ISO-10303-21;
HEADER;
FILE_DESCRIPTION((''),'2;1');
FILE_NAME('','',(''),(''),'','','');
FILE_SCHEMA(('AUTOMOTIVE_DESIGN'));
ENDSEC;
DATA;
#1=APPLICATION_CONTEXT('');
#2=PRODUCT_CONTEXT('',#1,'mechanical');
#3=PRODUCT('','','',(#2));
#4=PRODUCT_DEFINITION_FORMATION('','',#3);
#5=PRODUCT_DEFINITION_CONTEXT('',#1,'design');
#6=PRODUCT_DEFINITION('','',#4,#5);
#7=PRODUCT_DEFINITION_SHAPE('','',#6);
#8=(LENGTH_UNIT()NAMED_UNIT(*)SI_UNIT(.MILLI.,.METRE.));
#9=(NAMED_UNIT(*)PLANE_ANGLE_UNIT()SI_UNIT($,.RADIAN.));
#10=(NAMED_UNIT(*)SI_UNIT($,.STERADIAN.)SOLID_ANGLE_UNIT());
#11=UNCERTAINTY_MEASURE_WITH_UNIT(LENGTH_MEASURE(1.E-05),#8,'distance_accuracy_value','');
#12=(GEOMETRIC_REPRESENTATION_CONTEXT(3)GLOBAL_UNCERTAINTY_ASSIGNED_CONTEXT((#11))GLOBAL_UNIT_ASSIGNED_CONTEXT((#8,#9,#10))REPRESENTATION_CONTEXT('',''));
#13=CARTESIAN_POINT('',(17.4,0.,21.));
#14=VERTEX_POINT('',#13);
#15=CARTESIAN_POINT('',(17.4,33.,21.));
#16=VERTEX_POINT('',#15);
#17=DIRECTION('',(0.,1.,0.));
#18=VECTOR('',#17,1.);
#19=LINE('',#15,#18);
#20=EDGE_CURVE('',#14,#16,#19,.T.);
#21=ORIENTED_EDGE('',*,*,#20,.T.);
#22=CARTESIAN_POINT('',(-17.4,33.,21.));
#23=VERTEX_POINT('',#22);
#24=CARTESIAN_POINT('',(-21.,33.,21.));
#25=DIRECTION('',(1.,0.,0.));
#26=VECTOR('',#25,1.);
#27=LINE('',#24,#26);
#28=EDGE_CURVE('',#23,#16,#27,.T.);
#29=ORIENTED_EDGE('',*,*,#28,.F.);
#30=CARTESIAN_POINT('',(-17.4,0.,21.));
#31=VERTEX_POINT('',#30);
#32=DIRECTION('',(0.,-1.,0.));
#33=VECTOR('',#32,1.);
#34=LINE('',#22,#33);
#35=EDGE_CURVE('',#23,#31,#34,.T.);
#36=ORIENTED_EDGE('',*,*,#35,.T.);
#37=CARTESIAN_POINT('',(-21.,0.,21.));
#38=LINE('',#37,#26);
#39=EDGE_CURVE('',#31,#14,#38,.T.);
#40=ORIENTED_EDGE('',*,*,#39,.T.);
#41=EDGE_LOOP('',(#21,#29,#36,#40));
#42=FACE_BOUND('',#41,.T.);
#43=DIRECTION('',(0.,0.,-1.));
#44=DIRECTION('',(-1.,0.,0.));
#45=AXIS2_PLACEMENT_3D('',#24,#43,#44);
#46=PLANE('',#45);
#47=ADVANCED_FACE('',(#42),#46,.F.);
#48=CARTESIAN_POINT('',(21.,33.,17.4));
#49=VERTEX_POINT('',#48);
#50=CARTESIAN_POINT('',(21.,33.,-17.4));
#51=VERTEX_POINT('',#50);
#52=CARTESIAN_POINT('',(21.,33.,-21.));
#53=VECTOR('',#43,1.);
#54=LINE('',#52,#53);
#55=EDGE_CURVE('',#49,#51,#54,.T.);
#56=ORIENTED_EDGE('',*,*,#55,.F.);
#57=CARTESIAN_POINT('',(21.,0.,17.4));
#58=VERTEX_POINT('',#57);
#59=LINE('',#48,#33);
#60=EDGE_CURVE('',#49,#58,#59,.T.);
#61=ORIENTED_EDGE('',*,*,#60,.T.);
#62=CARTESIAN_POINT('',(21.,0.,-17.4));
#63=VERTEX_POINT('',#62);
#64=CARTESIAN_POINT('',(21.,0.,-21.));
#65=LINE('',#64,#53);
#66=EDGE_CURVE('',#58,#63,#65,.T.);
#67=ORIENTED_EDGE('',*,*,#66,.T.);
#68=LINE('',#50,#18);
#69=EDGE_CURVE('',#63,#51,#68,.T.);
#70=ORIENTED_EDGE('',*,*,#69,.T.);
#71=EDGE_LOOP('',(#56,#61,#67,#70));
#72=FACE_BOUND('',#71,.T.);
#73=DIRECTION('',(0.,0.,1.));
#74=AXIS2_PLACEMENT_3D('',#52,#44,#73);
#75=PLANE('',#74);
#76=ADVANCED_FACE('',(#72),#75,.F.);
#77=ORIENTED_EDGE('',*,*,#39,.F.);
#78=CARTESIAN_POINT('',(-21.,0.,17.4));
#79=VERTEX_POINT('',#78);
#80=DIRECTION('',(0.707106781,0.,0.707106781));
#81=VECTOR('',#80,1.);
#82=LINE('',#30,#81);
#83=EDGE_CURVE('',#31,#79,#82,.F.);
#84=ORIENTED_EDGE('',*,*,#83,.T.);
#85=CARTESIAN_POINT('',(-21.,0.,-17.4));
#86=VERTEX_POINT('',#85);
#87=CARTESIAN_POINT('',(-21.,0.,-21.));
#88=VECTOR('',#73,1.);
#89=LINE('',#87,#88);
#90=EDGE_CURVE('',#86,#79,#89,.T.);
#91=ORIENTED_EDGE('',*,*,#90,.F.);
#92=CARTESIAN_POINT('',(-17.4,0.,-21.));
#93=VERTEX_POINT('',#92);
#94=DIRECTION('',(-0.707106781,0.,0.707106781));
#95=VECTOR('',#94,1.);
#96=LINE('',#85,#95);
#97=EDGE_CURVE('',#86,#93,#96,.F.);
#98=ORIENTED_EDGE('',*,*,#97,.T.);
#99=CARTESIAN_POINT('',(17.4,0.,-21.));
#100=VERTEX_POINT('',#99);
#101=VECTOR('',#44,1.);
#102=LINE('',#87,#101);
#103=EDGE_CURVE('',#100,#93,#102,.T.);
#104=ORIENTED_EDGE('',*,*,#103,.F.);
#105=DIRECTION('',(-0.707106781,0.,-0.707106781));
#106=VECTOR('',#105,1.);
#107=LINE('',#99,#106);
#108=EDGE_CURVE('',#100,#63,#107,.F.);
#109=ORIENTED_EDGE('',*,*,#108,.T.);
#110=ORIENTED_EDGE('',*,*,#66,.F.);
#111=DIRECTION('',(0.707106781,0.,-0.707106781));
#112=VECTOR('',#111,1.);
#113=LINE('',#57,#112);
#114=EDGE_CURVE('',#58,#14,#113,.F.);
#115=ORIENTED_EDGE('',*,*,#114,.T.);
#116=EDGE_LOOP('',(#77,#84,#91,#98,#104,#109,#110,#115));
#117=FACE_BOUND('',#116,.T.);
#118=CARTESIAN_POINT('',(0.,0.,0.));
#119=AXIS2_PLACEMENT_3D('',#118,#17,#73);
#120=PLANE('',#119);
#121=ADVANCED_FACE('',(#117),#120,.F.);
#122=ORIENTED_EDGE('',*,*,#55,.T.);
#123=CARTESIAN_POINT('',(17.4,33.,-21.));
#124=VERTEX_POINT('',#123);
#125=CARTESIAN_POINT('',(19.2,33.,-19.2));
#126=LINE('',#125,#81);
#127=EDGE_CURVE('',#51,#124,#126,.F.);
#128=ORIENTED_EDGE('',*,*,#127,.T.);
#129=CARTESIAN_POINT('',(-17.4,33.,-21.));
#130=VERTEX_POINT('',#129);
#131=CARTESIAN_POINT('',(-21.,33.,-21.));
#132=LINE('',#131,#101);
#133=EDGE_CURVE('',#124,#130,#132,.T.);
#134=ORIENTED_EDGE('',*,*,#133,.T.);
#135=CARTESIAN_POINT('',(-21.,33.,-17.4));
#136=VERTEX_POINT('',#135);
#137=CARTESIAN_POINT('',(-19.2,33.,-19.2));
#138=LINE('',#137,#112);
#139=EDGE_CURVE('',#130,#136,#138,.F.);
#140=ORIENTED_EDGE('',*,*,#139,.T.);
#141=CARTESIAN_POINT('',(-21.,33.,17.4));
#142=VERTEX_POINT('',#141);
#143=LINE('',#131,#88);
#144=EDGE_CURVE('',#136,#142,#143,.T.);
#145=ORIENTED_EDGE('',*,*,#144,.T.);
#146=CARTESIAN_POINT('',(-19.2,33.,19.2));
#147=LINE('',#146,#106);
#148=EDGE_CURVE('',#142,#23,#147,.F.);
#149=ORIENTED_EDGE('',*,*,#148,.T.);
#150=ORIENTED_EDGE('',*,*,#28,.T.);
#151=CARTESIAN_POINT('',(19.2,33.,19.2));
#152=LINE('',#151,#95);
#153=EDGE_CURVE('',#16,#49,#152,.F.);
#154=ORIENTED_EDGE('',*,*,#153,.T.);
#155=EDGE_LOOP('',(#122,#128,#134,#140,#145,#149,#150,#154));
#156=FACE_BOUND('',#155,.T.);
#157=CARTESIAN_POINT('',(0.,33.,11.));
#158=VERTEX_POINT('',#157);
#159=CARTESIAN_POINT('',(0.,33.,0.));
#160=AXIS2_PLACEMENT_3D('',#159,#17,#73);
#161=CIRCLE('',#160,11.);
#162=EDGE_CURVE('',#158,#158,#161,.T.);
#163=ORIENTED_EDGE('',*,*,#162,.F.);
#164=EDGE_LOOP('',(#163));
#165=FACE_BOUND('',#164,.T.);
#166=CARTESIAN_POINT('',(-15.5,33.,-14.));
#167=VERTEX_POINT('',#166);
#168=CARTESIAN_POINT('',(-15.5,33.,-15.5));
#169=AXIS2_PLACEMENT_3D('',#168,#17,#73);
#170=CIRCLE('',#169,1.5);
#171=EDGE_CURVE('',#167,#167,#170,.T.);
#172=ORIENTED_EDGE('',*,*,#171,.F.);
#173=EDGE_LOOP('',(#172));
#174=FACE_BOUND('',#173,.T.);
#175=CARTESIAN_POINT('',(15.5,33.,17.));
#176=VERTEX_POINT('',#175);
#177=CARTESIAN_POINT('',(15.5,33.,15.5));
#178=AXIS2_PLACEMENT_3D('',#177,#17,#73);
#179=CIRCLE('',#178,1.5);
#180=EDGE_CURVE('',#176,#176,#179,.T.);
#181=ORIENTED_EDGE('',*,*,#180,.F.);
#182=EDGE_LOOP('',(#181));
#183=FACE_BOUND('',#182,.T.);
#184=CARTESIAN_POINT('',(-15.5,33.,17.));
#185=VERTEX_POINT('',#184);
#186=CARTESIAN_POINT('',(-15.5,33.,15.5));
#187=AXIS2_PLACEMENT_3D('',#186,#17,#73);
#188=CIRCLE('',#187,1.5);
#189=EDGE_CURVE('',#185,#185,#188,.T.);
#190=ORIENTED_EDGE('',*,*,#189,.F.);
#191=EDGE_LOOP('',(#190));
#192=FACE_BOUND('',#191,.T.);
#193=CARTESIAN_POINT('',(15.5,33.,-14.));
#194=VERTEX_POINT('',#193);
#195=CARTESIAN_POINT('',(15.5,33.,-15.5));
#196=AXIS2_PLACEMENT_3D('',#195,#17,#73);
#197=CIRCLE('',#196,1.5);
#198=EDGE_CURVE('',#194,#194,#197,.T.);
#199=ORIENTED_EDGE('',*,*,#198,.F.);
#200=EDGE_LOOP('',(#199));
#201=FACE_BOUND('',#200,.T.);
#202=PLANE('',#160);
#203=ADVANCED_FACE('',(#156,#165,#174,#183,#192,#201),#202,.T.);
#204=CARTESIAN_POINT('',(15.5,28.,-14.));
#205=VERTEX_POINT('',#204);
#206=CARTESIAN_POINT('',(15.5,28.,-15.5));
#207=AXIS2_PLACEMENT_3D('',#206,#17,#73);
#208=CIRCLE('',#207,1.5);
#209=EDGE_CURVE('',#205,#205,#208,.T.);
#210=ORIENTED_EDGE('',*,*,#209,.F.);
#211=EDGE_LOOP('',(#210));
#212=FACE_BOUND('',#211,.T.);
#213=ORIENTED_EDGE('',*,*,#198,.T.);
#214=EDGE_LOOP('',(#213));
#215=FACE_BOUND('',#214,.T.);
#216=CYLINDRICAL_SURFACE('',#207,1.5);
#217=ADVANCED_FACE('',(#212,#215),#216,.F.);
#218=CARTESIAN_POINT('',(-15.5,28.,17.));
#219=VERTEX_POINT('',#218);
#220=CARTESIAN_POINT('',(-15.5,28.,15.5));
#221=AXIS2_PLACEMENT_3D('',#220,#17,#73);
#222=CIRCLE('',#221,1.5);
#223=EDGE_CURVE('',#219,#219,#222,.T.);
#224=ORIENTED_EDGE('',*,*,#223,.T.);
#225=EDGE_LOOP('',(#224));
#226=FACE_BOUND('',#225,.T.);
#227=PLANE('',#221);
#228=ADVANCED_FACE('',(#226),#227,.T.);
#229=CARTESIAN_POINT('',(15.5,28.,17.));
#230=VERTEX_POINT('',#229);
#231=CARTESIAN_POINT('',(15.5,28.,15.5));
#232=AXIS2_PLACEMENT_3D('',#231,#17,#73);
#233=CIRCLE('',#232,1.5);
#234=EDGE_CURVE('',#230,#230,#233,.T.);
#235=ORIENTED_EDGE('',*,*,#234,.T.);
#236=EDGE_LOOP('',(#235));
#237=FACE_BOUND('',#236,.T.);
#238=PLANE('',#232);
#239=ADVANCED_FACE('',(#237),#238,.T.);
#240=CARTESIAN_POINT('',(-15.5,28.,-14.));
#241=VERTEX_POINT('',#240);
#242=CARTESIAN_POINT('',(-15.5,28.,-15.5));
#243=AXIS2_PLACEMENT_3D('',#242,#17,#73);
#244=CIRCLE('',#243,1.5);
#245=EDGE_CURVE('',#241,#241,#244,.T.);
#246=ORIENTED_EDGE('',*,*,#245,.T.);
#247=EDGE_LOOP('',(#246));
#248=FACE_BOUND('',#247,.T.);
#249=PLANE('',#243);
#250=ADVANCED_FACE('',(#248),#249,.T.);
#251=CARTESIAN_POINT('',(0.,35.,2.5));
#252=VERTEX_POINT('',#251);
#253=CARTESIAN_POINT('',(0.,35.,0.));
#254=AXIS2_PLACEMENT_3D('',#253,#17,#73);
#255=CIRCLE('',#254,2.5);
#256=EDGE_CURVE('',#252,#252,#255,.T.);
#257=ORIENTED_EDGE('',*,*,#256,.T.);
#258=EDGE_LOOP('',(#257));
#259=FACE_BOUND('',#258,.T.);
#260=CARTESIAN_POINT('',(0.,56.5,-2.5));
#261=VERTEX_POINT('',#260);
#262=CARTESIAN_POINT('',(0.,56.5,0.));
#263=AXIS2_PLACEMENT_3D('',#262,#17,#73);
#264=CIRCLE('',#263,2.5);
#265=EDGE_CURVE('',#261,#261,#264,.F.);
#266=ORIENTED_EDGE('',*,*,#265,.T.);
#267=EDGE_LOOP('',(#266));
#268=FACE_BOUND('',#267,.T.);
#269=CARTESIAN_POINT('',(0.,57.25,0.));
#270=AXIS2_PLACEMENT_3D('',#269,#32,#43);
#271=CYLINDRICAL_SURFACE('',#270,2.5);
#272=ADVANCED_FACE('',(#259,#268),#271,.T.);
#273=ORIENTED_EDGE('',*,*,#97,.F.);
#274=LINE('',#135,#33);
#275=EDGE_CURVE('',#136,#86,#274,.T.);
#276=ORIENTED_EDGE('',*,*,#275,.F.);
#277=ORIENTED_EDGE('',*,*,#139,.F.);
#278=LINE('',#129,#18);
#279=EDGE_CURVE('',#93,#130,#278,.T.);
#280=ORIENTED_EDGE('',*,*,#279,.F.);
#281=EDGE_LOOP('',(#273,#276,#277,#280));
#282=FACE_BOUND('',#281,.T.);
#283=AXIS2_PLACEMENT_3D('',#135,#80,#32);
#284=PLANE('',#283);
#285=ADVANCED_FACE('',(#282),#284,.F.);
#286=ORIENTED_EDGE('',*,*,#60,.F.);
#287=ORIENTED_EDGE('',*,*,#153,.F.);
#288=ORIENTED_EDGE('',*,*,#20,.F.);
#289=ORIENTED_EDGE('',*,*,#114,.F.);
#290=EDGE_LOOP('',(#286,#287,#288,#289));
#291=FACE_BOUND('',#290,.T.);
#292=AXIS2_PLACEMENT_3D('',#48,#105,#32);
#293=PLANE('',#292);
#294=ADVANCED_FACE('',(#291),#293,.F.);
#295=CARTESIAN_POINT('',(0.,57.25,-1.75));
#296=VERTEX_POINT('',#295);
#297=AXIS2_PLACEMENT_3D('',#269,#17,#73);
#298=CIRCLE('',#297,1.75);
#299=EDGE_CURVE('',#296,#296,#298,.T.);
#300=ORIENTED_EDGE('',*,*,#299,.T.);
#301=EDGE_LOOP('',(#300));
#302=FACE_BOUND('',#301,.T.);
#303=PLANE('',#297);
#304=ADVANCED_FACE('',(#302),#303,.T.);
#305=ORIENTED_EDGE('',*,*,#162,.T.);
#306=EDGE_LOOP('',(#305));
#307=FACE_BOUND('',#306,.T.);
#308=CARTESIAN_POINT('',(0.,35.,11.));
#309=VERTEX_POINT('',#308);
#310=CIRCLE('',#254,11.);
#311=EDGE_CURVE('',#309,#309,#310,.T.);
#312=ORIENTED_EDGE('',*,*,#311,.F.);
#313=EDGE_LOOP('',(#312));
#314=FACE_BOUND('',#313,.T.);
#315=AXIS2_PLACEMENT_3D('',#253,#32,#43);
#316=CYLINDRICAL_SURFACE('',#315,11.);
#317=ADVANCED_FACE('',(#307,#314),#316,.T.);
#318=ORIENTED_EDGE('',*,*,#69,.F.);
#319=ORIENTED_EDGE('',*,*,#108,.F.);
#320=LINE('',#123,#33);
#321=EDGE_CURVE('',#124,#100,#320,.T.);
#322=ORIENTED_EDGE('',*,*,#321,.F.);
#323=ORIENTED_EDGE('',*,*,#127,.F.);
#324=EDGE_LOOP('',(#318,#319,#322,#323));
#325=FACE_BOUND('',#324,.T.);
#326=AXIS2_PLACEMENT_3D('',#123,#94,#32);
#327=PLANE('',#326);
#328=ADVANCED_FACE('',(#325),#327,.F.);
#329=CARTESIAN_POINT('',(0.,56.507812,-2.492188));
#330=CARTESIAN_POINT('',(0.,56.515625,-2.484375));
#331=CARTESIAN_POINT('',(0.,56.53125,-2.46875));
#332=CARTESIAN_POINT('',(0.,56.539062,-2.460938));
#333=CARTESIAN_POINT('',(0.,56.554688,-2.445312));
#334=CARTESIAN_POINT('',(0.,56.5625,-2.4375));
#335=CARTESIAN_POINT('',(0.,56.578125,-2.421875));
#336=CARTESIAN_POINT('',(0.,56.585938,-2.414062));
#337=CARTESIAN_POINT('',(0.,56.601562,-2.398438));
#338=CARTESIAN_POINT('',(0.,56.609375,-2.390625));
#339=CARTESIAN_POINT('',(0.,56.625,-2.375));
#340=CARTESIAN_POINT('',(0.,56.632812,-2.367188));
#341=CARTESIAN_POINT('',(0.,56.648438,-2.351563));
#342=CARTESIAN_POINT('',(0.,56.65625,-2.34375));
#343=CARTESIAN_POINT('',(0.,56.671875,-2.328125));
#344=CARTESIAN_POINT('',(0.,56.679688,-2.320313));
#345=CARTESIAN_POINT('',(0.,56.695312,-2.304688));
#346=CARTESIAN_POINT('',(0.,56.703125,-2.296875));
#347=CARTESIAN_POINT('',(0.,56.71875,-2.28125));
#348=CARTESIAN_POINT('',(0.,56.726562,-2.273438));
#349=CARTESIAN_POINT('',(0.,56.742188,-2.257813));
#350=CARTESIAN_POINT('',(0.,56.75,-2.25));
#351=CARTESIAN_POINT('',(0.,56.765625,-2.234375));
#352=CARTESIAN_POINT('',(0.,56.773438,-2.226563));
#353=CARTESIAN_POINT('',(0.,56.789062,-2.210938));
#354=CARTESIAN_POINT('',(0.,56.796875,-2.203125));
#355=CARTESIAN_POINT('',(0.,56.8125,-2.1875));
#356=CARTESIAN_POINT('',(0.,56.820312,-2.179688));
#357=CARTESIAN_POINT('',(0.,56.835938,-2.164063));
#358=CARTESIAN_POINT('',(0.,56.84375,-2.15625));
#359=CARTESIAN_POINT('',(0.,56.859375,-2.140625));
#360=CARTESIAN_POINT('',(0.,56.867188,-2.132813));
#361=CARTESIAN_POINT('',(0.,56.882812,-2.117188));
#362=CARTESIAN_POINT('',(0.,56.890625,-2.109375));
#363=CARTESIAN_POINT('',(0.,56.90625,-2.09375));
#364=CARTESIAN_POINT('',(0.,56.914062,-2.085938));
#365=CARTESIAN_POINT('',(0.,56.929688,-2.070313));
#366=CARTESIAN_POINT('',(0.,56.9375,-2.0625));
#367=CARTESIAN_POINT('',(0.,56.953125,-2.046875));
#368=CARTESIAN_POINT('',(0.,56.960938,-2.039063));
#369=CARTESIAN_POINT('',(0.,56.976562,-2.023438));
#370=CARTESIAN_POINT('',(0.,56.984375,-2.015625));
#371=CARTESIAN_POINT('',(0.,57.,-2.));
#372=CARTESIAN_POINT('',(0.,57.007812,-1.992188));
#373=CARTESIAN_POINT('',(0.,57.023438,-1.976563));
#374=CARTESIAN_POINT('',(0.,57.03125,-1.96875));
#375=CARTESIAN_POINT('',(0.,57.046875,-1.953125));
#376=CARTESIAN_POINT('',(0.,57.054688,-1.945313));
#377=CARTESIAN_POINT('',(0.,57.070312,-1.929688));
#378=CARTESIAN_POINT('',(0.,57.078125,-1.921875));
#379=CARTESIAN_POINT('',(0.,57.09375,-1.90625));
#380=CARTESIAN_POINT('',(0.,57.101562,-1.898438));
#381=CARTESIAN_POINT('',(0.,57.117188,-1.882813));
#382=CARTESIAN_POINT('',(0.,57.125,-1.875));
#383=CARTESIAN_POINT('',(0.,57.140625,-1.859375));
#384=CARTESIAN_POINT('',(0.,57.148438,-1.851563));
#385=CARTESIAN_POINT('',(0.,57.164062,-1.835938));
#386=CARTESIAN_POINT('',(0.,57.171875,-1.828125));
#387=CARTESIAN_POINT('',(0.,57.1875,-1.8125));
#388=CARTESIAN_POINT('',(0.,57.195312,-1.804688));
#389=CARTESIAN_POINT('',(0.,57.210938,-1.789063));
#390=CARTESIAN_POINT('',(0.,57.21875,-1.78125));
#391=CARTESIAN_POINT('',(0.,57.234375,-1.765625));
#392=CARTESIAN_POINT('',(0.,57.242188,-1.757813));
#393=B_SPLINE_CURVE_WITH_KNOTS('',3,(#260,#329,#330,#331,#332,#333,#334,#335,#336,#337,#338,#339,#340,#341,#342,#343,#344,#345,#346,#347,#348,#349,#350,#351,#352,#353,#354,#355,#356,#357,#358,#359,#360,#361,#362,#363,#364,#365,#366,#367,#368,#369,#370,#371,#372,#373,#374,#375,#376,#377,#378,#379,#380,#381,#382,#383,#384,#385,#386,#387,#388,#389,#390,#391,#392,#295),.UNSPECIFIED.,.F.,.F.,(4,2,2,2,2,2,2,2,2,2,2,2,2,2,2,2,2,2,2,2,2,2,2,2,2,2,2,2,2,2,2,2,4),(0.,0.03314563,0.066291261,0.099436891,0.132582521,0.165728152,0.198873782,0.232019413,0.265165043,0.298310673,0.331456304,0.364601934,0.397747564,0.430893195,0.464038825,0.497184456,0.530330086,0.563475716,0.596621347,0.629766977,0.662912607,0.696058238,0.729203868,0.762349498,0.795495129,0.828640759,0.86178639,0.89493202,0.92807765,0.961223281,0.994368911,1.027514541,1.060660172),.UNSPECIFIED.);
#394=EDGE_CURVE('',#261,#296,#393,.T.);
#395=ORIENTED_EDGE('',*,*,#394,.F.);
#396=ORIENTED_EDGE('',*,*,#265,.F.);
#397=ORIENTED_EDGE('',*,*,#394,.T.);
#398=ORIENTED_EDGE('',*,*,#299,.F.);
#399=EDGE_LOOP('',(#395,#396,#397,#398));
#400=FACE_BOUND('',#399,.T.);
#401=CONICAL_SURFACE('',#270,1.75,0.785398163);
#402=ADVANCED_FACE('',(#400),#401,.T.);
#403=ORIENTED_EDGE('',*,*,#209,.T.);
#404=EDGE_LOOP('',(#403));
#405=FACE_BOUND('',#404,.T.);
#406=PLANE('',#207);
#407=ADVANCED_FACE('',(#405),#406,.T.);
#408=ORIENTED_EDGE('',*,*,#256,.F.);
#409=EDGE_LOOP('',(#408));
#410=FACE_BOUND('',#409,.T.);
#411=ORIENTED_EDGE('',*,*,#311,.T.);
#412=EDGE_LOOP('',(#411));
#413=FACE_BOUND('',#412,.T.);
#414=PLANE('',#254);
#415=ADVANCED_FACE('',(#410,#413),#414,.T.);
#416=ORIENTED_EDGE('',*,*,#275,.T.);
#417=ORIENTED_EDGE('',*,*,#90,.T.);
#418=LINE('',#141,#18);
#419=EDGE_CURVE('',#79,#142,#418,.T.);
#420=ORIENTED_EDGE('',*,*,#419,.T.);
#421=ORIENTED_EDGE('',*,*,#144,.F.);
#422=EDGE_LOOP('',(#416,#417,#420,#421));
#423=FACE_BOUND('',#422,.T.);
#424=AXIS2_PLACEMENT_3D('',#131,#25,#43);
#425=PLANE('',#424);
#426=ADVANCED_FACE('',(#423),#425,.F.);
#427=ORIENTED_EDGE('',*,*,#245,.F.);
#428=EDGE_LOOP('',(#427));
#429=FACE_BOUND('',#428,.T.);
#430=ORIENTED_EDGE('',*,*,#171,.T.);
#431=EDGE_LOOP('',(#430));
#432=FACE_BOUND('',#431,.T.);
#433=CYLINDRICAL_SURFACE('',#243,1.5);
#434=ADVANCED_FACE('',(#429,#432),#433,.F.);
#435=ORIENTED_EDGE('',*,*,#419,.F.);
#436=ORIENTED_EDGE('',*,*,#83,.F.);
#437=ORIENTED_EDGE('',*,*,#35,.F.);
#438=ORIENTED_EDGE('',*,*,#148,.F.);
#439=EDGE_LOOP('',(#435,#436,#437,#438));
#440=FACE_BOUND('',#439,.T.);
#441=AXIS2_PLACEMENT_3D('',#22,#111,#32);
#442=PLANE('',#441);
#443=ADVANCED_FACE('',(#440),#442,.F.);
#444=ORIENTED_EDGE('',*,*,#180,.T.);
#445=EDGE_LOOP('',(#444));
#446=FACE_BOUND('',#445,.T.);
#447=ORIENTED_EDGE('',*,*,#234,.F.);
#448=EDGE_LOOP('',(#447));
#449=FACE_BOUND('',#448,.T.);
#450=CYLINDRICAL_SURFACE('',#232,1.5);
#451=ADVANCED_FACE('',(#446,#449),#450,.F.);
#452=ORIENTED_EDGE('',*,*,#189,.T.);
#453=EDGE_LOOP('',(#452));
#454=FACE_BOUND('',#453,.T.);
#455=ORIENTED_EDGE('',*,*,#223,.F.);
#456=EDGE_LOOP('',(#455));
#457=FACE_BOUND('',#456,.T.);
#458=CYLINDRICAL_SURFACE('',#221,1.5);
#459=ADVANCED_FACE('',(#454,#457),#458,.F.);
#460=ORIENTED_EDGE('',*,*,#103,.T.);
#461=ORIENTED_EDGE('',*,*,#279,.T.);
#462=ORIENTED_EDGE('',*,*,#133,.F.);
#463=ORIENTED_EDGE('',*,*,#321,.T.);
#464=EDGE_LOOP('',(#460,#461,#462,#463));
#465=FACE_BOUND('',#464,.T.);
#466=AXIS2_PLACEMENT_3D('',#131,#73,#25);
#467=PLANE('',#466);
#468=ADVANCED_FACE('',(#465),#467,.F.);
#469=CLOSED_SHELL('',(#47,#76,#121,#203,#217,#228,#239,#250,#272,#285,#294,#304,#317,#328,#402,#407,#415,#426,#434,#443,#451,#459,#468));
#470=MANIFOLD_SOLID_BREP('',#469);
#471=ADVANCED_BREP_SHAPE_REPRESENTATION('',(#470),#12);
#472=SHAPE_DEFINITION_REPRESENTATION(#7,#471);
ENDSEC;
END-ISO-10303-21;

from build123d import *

# Parameters (mm, degrees)
SKETCH1_W           = 42
SKETCH1_H           = 42
BOSS_EXTRUDE1_DEPTH = 33
SKETCH2_R           = 11
BOSS_EXTRUDE2_DEPTH = 2
SKETCH3_R           = 2.5
BOSS_EXTRUDE3_DEPTH = 22.25
CHAMFER1_SIZE       = 3.6
SKETCH4_R           = 1.5
CUT_EXTRUDE1_DEPTH  = 5
CHAMFER2_SIZE       = 0.75


with BuildPart() as part:
    # Sketch1 → Boss-Extrude1 (new body)
    with BuildSketch(Plane(origin=(0, 0, 0), x_dir=(1, 0, 0), z_dir=(0, 1, 0))):
        Rectangle(SKETCH1_W, SKETCH1_H)
    extrude(amount=BOSS_EXTRUDE1_DEPTH)

    # Sketch2 → Boss-Extrude2 (add)
    with BuildSketch(Plane(origin=(0, 33, 0), x_dir=(1, 0, 0), z_dir=(0, 1, 0))):
        with Locations(Location((0, 0, 0), (0, 0, 270))):
            Circle(SKETCH2_R)
    extrude(amount=BOSS_EXTRUDE2_DEPTH)

    # Sketch3 → Boss-Extrude3 (add)
    with BuildSketch(Plane(origin=(0, 35, 0), x_dir=(1, 0, 0), z_dir=(0, 1, 0))):
        with Locations(Location((0, 0, 0), (0, 0, 270))):
            Circle(SKETCH3_R)
    extrude(amount=BOSS_EXTRUDE3_DEPTH)

    # Chamfer1
    chamfer1_edges = [part.edges().sort_by_distance(p)[0] for p in [
        (21, 16.5, 21),
        (-21, 16.5, 21),
        (-21, 16.5, -21),
        (21, 16.5, -21),
    ]]
    chamfer(chamfer1_edges, length=CHAMFER1_SIZE)

    # Sketch4 → Cut-Extrude1 (cut)
    with BuildSketch(Plane(origin=(0, 33, 0), x_dir=(1, 0, 0), z_dir=(0, 1, 0))):
        with Locations(Location((15.5, 15.5, 0), (0, 0, 270))):
            Circle(SKETCH4_R)
        with Locations(Location((15.5, -15.5, 0), (0, 0, 270))):
            Circle(SKETCH4_R)
        with Locations(Location((-15.5, -15.5, 0), (0, 0, 270))):
            Circle(SKETCH4_R)
        with Locations(Location((-15.5, 15.5, 0), (0, 0, 270))):
            Circle(SKETCH4_R)
    extrude(amount=-CUT_EXTRUDE1_DEPTH, mode=Mode.SUBTRACT)

    # Chamfer2
    chamfer2_edges = [part.edges().sort_by_distance(p)[0] for p in [
        (0, 57.25, -2.5),
    ]]
    chamfer(chamfer2_edges, length=CHAMFER2_SIZE)


solid = part.part
